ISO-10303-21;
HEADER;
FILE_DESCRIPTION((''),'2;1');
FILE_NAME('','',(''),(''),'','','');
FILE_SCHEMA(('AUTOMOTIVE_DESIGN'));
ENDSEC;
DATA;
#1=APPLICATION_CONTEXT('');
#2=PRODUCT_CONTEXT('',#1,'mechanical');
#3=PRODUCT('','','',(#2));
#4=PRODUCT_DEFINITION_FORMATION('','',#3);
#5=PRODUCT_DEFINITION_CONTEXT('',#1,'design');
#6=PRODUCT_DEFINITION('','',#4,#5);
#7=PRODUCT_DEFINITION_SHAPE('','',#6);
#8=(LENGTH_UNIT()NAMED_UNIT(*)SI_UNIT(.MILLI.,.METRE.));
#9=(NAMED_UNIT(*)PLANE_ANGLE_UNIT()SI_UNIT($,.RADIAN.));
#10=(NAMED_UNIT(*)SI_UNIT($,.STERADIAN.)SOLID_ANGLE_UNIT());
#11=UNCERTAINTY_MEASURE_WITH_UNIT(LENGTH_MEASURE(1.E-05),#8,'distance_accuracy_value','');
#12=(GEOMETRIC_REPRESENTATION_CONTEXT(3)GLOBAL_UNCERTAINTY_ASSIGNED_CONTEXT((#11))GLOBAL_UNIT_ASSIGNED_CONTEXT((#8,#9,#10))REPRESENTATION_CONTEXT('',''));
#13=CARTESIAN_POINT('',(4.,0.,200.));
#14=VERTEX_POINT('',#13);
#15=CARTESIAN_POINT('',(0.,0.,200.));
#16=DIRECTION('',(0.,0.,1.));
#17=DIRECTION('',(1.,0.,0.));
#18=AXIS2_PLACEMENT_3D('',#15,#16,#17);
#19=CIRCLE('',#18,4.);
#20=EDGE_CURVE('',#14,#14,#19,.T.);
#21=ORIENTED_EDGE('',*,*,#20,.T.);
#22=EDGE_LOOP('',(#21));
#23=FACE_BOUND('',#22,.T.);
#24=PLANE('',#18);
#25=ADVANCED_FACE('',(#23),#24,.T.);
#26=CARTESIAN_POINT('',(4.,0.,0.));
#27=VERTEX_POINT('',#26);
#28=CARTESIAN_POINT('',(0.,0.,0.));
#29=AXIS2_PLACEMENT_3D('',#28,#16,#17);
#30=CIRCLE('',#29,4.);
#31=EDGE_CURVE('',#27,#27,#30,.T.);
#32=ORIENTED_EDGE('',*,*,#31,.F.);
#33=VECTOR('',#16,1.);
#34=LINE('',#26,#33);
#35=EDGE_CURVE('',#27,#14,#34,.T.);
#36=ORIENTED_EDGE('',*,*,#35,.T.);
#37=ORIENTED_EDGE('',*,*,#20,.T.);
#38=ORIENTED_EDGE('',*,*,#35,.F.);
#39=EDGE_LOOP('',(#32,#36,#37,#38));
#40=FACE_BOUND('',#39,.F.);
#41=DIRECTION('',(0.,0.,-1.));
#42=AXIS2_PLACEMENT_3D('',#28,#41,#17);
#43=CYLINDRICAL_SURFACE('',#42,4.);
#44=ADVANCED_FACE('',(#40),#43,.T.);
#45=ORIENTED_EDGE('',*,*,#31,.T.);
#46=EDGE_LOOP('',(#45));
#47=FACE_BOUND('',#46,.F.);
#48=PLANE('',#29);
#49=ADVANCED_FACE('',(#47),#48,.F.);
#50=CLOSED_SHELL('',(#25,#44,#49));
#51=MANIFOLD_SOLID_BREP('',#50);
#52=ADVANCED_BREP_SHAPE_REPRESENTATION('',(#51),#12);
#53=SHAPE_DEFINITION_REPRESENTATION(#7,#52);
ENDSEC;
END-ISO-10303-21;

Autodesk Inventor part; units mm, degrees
ref_plane "YZ Plane" through (0, 0, 0) normal (1, 0, 0) x (0, 1, 0)
ref_plane "XZ Plane" through (0, 0, 0) normal (0, 1, 0) x (-1, 0, 0)
ref_plane "XY Plane" through (0, 0, 0) normal (0, 0, 1) x (1, 0, 0)
sketch "Boceto1" plane through (0, 0, 0) normal (0, 0, 1) x (1, 0, 0)
  circle A0 centre (0, 0) radius 4
  dimension "d0" = 8
extrude "Extrusión1" add sketch "Boceto1" along normal blind 200
properties part number "018" material "Steel"
